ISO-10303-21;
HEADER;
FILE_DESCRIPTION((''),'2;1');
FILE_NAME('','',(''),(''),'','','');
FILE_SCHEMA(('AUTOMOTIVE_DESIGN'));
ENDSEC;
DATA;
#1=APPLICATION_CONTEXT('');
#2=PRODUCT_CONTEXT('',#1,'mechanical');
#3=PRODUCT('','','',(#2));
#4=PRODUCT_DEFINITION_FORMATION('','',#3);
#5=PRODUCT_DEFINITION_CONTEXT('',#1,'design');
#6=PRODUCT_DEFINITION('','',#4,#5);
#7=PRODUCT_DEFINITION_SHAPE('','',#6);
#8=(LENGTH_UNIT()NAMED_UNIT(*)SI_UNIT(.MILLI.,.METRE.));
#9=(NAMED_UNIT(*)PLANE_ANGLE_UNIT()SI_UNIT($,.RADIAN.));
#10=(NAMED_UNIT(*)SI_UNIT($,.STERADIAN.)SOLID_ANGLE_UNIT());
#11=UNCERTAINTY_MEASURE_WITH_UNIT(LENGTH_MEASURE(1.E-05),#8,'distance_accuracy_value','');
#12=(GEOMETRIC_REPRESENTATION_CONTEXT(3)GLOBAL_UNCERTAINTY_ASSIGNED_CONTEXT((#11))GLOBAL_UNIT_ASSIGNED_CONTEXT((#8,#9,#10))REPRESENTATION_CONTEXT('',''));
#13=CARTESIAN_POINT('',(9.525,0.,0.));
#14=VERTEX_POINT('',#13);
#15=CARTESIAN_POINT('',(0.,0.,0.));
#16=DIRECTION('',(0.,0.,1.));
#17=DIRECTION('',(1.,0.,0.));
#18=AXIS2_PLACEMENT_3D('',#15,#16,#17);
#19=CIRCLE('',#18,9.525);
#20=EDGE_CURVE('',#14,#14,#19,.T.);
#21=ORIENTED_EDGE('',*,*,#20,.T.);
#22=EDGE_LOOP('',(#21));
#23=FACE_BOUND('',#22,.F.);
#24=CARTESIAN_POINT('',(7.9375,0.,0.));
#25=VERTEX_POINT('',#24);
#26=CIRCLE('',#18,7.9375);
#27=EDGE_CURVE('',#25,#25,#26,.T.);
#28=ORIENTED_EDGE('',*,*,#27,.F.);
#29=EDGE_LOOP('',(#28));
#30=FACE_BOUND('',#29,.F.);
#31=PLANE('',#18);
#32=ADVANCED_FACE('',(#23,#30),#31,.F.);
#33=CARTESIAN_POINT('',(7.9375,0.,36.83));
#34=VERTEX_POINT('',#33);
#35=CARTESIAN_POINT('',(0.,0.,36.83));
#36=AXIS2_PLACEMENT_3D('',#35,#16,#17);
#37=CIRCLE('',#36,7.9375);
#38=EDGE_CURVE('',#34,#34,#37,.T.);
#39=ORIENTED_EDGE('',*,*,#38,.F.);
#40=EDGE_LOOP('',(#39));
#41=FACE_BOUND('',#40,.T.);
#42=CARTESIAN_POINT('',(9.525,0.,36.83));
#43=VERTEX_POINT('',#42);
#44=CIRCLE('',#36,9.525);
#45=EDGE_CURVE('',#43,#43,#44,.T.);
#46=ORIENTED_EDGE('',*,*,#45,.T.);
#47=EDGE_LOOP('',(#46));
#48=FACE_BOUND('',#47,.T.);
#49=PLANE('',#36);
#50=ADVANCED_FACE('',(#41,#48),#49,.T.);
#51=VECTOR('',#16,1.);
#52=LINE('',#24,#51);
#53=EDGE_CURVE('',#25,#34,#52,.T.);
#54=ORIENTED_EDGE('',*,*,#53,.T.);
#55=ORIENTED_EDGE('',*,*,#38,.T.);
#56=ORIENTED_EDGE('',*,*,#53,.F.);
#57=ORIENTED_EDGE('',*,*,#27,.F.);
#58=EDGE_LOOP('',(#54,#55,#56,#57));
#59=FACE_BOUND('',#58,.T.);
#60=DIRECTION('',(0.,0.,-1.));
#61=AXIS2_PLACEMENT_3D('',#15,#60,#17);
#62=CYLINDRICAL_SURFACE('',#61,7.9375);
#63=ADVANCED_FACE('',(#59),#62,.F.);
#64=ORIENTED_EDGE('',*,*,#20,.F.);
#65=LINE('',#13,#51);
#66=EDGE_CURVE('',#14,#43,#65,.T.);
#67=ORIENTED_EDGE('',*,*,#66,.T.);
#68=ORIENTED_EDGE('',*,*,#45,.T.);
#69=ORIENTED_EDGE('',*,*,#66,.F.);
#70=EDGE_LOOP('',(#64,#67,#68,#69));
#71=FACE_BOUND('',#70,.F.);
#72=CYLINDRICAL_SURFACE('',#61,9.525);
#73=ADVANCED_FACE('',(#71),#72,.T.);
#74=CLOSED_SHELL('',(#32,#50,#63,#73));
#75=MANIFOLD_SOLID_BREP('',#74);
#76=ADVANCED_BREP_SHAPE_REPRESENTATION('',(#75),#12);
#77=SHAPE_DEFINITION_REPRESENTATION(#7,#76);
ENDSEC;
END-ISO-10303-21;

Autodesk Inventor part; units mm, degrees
ref_plane "YZ Plane" through (0, 0, 0) normal (1, 0, 0) x (0, 1, 0)
ref_plane "XZ Plane" through (0, 0, 0) normal (0, 1, 0) x (-1, 0, 0)
ref_plane "XY Plane" through (0, 0, 0) normal (0, 0, 1) x (1, 0, 0)
sketch "Sketch1" plane through (0, 0, 0) normal (0, 0, 1) x (1, 0, 0)
  circle A0 centre (0, 0) radius 7.9375
  circle A1 centre (0, 0) radius 9.525
  dimension "d0" = 15.875
  dimension "d1" = 19.05
extrude "Extrusion1" add sketch "Sketch1" along normal blind 36.83
properties part number "PVC spacers"
